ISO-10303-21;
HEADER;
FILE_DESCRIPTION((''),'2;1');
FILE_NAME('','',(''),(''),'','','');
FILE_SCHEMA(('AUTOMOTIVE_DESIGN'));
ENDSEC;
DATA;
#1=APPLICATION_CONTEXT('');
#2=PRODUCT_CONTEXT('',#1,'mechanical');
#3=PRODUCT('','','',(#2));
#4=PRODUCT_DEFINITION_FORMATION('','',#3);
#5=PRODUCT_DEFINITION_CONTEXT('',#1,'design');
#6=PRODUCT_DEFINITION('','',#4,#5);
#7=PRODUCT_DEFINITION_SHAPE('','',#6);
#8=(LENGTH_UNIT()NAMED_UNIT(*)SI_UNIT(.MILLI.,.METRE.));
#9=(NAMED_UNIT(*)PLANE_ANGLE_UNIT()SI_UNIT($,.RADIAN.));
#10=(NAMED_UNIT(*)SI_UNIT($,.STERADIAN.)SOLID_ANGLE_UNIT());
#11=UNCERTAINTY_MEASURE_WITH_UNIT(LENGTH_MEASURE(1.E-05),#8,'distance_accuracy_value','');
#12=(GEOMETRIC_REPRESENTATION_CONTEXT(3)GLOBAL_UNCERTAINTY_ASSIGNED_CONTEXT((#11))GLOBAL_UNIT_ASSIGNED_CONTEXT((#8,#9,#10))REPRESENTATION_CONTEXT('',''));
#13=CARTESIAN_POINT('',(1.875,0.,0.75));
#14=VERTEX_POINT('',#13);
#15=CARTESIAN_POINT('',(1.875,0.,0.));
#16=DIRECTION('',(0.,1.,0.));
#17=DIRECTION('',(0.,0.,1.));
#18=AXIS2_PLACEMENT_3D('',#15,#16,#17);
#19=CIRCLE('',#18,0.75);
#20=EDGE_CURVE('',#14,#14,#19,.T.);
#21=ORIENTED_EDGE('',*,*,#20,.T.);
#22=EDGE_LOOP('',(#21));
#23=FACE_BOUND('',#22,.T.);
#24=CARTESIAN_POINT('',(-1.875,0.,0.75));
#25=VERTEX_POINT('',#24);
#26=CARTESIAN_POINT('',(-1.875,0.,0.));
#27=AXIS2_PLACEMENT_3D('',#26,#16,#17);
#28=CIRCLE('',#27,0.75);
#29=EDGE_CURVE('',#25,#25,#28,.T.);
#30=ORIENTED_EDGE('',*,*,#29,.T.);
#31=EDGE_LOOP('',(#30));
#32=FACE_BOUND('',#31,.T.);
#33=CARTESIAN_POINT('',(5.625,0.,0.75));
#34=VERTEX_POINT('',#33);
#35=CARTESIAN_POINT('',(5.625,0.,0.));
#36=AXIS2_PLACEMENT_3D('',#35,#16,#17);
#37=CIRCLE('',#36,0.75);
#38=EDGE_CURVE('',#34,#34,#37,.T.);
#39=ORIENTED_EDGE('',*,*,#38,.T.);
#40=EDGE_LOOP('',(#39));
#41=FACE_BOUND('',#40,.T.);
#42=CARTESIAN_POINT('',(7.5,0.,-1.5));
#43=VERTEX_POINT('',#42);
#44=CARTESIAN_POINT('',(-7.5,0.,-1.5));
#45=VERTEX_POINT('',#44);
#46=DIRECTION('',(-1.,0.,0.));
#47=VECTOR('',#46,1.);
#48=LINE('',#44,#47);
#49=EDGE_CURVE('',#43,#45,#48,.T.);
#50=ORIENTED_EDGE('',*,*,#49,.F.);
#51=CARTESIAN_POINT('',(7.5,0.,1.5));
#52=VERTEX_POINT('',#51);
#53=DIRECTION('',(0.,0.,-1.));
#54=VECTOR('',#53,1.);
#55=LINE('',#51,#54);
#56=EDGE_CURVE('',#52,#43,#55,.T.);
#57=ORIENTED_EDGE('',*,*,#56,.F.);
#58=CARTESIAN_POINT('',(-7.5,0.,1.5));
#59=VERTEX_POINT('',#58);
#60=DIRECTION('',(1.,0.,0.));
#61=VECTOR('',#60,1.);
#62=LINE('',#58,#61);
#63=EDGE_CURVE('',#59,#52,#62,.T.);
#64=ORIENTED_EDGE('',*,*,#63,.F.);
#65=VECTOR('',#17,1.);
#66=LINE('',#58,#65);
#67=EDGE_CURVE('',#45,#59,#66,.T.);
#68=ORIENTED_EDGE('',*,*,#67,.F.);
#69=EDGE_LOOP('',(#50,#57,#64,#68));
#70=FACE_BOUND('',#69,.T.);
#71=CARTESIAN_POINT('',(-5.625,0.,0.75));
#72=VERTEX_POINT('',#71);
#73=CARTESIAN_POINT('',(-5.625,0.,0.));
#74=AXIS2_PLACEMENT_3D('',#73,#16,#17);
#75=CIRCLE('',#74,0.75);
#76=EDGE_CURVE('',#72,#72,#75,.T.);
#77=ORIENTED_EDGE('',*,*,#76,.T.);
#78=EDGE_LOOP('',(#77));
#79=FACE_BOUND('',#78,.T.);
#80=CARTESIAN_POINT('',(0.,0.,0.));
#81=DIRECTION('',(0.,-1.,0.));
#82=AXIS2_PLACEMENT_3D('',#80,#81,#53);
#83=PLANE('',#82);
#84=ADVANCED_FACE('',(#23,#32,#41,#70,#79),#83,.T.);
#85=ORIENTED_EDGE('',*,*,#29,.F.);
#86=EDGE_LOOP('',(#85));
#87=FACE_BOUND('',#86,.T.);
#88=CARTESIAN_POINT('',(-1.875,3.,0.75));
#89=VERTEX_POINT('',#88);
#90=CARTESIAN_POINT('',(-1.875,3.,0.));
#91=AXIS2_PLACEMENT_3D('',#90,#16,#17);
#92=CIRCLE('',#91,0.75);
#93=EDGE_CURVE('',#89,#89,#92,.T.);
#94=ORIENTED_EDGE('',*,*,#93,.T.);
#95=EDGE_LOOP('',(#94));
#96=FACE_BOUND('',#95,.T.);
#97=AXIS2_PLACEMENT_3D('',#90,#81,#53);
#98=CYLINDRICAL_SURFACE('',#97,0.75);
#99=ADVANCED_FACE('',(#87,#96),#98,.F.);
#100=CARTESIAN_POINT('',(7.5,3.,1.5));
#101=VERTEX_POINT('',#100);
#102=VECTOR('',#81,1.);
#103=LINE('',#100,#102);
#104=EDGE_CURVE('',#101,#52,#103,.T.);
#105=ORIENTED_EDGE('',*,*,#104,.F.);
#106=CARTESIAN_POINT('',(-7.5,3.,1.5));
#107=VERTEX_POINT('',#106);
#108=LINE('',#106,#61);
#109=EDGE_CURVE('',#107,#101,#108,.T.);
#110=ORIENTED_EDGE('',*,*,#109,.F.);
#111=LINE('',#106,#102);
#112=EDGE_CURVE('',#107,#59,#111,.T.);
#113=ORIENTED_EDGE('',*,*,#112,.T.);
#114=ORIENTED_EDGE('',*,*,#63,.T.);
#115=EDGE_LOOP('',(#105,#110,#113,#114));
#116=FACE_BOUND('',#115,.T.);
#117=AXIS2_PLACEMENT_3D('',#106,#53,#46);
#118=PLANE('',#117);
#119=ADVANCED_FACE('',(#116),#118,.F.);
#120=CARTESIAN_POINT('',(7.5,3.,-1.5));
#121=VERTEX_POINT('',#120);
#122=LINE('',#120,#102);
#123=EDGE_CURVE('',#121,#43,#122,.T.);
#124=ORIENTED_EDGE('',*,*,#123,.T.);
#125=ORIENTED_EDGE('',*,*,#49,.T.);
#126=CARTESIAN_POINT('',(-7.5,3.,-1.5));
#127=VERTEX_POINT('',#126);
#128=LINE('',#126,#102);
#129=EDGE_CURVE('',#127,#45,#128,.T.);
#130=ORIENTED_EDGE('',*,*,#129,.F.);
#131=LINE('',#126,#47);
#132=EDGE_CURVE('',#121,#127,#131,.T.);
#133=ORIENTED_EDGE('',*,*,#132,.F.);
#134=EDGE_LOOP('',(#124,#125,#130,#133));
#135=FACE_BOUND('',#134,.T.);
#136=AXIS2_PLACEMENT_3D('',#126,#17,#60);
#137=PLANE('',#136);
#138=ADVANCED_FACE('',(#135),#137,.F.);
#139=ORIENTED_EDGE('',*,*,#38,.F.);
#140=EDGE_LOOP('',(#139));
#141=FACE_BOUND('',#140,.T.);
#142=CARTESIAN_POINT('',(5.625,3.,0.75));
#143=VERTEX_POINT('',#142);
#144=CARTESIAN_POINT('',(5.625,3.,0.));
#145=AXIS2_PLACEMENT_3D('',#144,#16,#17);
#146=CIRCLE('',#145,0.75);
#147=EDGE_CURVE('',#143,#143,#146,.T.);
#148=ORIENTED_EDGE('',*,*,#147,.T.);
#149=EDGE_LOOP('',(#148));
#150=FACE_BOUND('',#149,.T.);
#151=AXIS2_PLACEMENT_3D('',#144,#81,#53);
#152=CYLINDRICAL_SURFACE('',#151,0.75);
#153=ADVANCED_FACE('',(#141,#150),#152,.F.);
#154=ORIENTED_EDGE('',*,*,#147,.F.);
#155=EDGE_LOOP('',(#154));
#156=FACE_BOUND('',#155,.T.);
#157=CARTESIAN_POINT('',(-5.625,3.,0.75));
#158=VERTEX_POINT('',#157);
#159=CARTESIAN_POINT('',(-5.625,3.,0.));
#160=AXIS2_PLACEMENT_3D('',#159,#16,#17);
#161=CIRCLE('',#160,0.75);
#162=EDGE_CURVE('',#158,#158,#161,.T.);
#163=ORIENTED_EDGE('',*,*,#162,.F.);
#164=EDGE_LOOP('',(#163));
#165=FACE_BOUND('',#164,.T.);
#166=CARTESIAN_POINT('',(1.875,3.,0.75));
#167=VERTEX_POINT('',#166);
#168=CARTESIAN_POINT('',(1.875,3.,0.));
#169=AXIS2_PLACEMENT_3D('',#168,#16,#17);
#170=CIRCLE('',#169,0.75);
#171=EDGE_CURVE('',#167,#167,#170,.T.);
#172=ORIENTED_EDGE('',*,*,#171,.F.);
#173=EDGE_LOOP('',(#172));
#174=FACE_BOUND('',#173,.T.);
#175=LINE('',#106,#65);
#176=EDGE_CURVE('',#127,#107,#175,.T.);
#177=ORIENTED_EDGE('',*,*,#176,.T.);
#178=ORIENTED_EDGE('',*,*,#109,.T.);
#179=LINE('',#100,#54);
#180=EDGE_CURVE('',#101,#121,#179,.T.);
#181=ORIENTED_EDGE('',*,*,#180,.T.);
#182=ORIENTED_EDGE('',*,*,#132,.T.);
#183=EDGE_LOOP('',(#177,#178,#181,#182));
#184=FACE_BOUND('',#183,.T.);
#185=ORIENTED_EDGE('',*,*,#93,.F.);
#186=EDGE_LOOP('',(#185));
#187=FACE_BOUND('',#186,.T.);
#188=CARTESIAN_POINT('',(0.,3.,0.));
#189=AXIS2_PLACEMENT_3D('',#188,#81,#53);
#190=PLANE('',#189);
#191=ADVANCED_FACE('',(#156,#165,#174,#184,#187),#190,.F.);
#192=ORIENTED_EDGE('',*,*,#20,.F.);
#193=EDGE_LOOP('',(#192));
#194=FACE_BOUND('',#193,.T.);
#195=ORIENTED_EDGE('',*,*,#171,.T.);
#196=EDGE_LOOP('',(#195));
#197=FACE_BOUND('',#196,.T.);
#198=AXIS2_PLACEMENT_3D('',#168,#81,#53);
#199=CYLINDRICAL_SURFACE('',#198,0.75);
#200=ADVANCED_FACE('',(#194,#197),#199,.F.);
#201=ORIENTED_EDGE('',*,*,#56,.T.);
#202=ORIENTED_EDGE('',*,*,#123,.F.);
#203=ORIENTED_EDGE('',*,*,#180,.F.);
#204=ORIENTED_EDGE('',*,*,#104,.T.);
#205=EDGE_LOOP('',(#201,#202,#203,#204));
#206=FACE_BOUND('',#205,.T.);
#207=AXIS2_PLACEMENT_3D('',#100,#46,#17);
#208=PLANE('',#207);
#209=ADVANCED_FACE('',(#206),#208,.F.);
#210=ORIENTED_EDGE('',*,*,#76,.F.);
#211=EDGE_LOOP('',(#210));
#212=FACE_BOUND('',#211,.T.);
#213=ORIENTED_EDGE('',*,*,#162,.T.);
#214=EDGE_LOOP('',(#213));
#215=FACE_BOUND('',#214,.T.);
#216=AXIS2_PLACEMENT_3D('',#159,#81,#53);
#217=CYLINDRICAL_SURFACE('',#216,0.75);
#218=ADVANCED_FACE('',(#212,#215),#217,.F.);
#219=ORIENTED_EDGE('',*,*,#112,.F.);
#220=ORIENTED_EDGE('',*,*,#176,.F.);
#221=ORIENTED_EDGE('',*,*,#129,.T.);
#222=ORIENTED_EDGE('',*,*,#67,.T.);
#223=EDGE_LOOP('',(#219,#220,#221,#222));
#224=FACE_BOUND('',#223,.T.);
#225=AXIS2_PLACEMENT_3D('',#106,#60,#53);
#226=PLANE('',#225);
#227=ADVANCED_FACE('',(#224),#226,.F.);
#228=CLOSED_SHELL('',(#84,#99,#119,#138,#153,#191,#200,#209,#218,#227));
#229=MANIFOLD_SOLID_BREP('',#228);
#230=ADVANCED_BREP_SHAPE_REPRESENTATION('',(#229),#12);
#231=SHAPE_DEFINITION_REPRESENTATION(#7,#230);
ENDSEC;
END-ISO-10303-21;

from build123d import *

# Parameters (mm, degrees)
SKETCH1_W           = 15
SKETCH1_H           = 3
SKETCH1_R           = 0.75
BOSS_EXTRUDE1_DEPTH = 3


with BuildPart() as part:
    # Sketch1 → Boss-Extrude1 (new body)
    with BuildSketch(Plane(origin=(0, 0, 0), x_dir=(1, 0, 0), z_dir=(0, 1, 0))):
        Rectangle(SKETCH1_W, SKETCH1_H)
        with Locations(Location((-5.625, 0, 0), (0, 0, 270))):
            Circle(SKETCH1_R, mode=Mode.SUBTRACT)
        with Locations(Location((-1.875, 0, 0), (0, 0, 270))):
            Circle(SKETCH1_R, mode=Mode.SUBTRACT)
        with Locations(Location((1.875, 0, 0), (0, 0, 270))):
            Circle(SKETCH1_R, mode=Mode.SUBTRACT)
        with Locations(Location((5.625, 0, 0), (0, 0, 270))):
            Circle(SKETCH1_R, mode=Mode.SUBTRACT)
    extrude(amount=BOSS_EXTRUDE1_DEPTH)


solid = part.part
